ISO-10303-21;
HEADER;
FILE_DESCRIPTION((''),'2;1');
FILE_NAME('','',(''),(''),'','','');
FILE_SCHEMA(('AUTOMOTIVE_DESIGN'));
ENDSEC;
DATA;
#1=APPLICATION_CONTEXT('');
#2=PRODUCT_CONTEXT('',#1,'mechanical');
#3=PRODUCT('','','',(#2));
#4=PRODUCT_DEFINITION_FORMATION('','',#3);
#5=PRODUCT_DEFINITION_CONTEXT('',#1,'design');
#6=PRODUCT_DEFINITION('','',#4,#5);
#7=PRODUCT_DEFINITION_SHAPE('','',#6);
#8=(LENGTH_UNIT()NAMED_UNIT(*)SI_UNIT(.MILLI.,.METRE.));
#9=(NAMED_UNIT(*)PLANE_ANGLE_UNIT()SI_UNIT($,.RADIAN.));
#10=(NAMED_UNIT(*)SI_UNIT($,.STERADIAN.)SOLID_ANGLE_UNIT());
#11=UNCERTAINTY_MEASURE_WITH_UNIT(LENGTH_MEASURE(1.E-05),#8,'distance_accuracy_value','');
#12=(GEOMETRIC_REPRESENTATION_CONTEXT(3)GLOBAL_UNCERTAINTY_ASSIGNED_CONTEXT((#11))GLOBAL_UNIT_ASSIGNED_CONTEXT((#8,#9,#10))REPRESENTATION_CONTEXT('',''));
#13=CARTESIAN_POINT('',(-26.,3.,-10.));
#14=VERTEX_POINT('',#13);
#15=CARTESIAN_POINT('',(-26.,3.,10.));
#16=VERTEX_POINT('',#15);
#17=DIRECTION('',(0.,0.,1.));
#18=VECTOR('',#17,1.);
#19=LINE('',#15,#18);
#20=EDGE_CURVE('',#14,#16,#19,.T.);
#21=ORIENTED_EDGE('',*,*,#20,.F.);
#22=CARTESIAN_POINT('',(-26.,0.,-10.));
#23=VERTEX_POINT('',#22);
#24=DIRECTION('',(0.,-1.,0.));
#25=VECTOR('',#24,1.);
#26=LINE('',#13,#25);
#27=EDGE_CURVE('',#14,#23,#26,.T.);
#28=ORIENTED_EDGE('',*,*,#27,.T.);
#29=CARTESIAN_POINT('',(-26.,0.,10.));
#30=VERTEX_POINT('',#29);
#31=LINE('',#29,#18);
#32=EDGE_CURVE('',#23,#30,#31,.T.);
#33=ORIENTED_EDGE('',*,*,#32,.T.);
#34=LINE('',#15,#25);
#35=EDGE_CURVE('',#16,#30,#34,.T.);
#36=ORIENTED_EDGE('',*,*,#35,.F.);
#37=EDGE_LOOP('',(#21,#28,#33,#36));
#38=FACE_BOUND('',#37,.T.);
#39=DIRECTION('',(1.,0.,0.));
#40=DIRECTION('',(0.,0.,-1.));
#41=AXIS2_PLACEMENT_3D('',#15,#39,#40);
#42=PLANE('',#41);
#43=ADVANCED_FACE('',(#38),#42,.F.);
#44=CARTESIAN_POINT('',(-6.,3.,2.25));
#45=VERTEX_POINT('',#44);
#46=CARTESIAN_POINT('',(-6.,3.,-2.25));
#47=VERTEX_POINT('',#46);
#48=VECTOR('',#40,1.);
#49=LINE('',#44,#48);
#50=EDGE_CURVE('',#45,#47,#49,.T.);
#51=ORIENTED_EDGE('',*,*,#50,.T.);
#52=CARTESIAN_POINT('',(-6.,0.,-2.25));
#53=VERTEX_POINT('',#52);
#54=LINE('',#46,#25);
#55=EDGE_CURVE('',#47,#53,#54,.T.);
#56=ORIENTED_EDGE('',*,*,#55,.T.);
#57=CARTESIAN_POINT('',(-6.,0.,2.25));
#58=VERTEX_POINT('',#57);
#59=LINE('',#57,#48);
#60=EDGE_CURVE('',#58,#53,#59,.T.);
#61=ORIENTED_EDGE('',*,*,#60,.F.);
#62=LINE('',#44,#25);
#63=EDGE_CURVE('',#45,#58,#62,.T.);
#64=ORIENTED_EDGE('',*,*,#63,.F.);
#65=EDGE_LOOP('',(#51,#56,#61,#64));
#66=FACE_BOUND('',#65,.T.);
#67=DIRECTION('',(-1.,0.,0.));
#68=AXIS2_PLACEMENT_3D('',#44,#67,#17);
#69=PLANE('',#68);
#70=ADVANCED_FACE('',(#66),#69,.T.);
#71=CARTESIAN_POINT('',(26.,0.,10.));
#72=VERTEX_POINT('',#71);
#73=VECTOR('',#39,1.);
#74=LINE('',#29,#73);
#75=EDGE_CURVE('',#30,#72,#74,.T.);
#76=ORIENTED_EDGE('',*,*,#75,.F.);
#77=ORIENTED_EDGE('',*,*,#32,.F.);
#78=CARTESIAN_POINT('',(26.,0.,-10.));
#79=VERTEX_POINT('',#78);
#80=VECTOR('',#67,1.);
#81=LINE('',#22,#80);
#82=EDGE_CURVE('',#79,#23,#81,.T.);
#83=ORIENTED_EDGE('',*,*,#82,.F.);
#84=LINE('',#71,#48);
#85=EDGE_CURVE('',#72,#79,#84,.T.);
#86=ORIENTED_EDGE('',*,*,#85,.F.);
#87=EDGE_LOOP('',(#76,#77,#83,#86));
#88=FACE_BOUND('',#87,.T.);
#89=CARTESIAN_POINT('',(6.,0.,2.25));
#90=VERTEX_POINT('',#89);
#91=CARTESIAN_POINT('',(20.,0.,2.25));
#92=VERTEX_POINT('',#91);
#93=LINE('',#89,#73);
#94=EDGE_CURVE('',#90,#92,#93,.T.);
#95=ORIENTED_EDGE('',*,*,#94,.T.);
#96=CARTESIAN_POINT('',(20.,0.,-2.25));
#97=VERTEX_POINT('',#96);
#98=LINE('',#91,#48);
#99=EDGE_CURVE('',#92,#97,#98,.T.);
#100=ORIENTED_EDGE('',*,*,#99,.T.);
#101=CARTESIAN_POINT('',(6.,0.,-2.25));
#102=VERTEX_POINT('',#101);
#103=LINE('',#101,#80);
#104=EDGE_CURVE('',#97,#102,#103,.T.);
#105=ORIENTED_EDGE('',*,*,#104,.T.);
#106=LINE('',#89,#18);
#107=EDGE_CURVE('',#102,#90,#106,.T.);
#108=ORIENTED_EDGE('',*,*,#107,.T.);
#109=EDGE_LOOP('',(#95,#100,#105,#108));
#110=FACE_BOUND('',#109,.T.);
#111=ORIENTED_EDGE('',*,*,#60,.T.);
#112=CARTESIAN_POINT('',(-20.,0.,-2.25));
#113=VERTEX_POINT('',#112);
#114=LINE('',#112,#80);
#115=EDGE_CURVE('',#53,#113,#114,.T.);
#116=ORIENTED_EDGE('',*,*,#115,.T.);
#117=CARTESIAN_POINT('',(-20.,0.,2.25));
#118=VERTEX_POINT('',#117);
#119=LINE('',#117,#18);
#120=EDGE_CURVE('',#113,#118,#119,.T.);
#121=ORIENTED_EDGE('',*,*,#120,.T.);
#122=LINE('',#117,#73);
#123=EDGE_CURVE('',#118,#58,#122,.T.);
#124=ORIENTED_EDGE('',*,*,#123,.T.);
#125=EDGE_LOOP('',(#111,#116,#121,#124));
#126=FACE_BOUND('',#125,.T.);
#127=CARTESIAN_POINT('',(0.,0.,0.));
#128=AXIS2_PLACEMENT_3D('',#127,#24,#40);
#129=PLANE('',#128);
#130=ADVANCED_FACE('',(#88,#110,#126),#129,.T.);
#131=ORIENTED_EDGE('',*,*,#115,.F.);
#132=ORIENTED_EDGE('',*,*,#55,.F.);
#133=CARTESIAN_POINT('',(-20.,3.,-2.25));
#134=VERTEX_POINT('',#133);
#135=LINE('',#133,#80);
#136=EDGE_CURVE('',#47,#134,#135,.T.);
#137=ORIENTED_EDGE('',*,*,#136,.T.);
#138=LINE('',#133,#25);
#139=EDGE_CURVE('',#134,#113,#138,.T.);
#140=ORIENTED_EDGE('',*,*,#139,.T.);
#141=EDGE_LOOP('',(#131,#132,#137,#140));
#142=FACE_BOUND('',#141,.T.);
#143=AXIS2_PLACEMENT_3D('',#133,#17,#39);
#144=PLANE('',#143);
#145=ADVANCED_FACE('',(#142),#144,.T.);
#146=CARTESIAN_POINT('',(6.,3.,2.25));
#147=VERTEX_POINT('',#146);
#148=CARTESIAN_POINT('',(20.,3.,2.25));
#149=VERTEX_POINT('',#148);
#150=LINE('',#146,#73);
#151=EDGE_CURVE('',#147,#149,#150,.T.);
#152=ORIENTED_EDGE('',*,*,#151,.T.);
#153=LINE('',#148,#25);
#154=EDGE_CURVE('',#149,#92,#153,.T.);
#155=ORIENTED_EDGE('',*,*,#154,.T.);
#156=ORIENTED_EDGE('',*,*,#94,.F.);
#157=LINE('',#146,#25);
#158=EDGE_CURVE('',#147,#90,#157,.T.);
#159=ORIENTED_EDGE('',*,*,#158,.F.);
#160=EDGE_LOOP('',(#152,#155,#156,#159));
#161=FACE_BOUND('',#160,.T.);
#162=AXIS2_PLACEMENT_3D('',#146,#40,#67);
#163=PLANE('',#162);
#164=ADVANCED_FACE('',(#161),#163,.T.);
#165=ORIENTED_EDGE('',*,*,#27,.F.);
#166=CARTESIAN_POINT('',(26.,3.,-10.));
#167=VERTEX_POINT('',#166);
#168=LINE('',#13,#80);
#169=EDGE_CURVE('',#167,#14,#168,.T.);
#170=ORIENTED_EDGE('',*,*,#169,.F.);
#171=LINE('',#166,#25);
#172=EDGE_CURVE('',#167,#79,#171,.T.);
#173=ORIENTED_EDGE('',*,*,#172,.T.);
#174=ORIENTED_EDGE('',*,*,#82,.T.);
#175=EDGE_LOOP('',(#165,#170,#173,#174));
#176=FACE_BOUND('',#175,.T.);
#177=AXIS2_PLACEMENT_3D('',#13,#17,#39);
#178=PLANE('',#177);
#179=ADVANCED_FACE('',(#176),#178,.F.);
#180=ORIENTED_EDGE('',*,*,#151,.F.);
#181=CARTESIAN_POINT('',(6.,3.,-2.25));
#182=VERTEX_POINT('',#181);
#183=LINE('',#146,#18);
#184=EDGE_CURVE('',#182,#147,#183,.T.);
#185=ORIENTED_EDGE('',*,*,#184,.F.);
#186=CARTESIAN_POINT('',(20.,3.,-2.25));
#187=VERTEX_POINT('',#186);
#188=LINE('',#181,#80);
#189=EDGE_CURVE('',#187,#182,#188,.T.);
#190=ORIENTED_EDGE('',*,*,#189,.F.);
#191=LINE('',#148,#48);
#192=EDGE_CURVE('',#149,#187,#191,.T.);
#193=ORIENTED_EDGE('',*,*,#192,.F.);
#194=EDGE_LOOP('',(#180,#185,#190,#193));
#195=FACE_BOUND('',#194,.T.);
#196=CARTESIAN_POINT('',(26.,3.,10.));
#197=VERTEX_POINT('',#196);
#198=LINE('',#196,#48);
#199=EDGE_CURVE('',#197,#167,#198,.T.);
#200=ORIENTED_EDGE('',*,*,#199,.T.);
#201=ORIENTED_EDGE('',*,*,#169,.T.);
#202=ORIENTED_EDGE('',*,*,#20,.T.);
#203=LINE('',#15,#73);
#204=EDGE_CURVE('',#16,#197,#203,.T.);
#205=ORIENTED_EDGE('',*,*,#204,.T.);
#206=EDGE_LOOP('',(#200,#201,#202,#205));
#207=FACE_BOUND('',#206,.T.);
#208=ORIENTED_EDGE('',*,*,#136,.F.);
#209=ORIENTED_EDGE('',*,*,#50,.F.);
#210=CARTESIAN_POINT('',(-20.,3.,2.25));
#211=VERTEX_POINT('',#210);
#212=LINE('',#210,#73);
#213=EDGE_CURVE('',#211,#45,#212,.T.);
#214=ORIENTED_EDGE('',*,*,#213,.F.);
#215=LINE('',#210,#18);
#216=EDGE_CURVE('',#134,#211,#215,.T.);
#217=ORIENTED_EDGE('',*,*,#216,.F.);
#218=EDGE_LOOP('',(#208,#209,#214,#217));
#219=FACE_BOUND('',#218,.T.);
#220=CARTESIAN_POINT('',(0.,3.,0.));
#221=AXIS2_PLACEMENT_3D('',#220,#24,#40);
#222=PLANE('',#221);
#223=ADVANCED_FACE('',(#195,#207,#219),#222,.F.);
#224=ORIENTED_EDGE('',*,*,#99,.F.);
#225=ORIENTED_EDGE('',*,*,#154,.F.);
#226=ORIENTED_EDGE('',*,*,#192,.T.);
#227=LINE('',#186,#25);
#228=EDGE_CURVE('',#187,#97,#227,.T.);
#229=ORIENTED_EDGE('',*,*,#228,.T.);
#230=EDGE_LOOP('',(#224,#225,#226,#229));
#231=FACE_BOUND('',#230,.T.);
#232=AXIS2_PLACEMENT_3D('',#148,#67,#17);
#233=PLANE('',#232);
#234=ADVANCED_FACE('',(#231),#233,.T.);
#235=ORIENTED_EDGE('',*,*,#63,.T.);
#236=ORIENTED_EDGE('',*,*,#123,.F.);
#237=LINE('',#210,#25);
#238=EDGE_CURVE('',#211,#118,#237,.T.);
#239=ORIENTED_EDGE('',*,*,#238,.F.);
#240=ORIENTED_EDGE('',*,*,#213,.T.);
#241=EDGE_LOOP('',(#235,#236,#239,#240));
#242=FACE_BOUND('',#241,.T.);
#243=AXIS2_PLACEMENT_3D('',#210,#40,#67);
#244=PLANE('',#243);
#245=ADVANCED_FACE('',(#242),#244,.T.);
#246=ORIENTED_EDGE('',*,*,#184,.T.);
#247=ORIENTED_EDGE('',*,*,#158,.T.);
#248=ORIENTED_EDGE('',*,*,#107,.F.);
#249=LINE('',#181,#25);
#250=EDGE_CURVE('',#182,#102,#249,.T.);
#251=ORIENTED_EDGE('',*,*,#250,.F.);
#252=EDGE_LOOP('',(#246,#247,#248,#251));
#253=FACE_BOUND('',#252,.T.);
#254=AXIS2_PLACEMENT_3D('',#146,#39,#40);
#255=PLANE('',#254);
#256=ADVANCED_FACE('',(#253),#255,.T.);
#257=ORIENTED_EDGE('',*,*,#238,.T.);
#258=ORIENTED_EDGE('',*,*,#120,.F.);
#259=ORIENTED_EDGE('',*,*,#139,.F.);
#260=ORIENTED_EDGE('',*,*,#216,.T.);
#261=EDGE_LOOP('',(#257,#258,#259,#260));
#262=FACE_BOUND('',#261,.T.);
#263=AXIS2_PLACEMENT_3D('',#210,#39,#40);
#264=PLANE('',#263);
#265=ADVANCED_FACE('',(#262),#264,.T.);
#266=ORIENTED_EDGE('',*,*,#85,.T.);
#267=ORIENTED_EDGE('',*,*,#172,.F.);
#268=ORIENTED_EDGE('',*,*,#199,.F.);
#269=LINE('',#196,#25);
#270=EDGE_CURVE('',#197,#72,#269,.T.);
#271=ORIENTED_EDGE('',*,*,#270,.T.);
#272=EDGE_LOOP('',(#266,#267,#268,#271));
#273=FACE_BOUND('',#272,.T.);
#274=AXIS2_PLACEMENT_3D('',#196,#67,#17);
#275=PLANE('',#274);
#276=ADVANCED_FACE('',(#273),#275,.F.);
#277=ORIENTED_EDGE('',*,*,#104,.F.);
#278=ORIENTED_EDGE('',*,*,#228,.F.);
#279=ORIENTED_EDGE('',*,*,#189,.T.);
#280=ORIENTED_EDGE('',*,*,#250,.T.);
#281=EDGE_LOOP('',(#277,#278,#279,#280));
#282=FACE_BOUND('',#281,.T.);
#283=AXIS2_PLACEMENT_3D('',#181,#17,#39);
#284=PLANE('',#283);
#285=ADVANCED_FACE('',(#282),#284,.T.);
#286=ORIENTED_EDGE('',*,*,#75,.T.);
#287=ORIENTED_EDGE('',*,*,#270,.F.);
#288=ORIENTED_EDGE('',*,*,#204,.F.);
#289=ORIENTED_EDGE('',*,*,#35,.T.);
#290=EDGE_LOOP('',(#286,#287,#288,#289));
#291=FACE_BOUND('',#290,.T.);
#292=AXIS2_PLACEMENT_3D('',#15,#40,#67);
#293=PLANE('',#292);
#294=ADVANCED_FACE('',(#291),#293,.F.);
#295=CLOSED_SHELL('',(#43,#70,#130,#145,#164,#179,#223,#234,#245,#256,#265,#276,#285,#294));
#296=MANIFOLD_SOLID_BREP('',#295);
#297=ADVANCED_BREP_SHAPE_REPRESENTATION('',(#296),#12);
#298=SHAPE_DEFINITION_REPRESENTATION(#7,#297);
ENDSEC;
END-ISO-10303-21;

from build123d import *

# Parameters (mm, degrees)
SKETCH1_W                     = 52
SKETCH1_H                     = 20
SKETCH1_W_2                   = 14
SKETCH1_H_2                   = 4.5
SLOTTED_BRACKET_EXTRUDE_DEPTH = 3


with BuildPart() as part:
    # Sketch1 → Slotted_Bracket_Extrude (new body)
    with BuildSketch(Plane(origin=(0, 0, 0), x_dir=(1, 0, 0), z_dir=(0, 1, 0))):
        Rectangle(SKETCH1_W, SKETCH1_H)
        with Locations((-13, 0)):
            Rectangle(SKETCH1_W_2, SKETCH1_H_2, mode=Mode.SUBTRACT)
        with Locations((13, 0)):
            Rectangle(SKETCH1_W_2, SKETCH1_H_2, mode=Mode.SUBTRACT)
    extrude(amount=SLOTTED_BRACKET_EXTRUDE_DEPTH)


solid = part.part
